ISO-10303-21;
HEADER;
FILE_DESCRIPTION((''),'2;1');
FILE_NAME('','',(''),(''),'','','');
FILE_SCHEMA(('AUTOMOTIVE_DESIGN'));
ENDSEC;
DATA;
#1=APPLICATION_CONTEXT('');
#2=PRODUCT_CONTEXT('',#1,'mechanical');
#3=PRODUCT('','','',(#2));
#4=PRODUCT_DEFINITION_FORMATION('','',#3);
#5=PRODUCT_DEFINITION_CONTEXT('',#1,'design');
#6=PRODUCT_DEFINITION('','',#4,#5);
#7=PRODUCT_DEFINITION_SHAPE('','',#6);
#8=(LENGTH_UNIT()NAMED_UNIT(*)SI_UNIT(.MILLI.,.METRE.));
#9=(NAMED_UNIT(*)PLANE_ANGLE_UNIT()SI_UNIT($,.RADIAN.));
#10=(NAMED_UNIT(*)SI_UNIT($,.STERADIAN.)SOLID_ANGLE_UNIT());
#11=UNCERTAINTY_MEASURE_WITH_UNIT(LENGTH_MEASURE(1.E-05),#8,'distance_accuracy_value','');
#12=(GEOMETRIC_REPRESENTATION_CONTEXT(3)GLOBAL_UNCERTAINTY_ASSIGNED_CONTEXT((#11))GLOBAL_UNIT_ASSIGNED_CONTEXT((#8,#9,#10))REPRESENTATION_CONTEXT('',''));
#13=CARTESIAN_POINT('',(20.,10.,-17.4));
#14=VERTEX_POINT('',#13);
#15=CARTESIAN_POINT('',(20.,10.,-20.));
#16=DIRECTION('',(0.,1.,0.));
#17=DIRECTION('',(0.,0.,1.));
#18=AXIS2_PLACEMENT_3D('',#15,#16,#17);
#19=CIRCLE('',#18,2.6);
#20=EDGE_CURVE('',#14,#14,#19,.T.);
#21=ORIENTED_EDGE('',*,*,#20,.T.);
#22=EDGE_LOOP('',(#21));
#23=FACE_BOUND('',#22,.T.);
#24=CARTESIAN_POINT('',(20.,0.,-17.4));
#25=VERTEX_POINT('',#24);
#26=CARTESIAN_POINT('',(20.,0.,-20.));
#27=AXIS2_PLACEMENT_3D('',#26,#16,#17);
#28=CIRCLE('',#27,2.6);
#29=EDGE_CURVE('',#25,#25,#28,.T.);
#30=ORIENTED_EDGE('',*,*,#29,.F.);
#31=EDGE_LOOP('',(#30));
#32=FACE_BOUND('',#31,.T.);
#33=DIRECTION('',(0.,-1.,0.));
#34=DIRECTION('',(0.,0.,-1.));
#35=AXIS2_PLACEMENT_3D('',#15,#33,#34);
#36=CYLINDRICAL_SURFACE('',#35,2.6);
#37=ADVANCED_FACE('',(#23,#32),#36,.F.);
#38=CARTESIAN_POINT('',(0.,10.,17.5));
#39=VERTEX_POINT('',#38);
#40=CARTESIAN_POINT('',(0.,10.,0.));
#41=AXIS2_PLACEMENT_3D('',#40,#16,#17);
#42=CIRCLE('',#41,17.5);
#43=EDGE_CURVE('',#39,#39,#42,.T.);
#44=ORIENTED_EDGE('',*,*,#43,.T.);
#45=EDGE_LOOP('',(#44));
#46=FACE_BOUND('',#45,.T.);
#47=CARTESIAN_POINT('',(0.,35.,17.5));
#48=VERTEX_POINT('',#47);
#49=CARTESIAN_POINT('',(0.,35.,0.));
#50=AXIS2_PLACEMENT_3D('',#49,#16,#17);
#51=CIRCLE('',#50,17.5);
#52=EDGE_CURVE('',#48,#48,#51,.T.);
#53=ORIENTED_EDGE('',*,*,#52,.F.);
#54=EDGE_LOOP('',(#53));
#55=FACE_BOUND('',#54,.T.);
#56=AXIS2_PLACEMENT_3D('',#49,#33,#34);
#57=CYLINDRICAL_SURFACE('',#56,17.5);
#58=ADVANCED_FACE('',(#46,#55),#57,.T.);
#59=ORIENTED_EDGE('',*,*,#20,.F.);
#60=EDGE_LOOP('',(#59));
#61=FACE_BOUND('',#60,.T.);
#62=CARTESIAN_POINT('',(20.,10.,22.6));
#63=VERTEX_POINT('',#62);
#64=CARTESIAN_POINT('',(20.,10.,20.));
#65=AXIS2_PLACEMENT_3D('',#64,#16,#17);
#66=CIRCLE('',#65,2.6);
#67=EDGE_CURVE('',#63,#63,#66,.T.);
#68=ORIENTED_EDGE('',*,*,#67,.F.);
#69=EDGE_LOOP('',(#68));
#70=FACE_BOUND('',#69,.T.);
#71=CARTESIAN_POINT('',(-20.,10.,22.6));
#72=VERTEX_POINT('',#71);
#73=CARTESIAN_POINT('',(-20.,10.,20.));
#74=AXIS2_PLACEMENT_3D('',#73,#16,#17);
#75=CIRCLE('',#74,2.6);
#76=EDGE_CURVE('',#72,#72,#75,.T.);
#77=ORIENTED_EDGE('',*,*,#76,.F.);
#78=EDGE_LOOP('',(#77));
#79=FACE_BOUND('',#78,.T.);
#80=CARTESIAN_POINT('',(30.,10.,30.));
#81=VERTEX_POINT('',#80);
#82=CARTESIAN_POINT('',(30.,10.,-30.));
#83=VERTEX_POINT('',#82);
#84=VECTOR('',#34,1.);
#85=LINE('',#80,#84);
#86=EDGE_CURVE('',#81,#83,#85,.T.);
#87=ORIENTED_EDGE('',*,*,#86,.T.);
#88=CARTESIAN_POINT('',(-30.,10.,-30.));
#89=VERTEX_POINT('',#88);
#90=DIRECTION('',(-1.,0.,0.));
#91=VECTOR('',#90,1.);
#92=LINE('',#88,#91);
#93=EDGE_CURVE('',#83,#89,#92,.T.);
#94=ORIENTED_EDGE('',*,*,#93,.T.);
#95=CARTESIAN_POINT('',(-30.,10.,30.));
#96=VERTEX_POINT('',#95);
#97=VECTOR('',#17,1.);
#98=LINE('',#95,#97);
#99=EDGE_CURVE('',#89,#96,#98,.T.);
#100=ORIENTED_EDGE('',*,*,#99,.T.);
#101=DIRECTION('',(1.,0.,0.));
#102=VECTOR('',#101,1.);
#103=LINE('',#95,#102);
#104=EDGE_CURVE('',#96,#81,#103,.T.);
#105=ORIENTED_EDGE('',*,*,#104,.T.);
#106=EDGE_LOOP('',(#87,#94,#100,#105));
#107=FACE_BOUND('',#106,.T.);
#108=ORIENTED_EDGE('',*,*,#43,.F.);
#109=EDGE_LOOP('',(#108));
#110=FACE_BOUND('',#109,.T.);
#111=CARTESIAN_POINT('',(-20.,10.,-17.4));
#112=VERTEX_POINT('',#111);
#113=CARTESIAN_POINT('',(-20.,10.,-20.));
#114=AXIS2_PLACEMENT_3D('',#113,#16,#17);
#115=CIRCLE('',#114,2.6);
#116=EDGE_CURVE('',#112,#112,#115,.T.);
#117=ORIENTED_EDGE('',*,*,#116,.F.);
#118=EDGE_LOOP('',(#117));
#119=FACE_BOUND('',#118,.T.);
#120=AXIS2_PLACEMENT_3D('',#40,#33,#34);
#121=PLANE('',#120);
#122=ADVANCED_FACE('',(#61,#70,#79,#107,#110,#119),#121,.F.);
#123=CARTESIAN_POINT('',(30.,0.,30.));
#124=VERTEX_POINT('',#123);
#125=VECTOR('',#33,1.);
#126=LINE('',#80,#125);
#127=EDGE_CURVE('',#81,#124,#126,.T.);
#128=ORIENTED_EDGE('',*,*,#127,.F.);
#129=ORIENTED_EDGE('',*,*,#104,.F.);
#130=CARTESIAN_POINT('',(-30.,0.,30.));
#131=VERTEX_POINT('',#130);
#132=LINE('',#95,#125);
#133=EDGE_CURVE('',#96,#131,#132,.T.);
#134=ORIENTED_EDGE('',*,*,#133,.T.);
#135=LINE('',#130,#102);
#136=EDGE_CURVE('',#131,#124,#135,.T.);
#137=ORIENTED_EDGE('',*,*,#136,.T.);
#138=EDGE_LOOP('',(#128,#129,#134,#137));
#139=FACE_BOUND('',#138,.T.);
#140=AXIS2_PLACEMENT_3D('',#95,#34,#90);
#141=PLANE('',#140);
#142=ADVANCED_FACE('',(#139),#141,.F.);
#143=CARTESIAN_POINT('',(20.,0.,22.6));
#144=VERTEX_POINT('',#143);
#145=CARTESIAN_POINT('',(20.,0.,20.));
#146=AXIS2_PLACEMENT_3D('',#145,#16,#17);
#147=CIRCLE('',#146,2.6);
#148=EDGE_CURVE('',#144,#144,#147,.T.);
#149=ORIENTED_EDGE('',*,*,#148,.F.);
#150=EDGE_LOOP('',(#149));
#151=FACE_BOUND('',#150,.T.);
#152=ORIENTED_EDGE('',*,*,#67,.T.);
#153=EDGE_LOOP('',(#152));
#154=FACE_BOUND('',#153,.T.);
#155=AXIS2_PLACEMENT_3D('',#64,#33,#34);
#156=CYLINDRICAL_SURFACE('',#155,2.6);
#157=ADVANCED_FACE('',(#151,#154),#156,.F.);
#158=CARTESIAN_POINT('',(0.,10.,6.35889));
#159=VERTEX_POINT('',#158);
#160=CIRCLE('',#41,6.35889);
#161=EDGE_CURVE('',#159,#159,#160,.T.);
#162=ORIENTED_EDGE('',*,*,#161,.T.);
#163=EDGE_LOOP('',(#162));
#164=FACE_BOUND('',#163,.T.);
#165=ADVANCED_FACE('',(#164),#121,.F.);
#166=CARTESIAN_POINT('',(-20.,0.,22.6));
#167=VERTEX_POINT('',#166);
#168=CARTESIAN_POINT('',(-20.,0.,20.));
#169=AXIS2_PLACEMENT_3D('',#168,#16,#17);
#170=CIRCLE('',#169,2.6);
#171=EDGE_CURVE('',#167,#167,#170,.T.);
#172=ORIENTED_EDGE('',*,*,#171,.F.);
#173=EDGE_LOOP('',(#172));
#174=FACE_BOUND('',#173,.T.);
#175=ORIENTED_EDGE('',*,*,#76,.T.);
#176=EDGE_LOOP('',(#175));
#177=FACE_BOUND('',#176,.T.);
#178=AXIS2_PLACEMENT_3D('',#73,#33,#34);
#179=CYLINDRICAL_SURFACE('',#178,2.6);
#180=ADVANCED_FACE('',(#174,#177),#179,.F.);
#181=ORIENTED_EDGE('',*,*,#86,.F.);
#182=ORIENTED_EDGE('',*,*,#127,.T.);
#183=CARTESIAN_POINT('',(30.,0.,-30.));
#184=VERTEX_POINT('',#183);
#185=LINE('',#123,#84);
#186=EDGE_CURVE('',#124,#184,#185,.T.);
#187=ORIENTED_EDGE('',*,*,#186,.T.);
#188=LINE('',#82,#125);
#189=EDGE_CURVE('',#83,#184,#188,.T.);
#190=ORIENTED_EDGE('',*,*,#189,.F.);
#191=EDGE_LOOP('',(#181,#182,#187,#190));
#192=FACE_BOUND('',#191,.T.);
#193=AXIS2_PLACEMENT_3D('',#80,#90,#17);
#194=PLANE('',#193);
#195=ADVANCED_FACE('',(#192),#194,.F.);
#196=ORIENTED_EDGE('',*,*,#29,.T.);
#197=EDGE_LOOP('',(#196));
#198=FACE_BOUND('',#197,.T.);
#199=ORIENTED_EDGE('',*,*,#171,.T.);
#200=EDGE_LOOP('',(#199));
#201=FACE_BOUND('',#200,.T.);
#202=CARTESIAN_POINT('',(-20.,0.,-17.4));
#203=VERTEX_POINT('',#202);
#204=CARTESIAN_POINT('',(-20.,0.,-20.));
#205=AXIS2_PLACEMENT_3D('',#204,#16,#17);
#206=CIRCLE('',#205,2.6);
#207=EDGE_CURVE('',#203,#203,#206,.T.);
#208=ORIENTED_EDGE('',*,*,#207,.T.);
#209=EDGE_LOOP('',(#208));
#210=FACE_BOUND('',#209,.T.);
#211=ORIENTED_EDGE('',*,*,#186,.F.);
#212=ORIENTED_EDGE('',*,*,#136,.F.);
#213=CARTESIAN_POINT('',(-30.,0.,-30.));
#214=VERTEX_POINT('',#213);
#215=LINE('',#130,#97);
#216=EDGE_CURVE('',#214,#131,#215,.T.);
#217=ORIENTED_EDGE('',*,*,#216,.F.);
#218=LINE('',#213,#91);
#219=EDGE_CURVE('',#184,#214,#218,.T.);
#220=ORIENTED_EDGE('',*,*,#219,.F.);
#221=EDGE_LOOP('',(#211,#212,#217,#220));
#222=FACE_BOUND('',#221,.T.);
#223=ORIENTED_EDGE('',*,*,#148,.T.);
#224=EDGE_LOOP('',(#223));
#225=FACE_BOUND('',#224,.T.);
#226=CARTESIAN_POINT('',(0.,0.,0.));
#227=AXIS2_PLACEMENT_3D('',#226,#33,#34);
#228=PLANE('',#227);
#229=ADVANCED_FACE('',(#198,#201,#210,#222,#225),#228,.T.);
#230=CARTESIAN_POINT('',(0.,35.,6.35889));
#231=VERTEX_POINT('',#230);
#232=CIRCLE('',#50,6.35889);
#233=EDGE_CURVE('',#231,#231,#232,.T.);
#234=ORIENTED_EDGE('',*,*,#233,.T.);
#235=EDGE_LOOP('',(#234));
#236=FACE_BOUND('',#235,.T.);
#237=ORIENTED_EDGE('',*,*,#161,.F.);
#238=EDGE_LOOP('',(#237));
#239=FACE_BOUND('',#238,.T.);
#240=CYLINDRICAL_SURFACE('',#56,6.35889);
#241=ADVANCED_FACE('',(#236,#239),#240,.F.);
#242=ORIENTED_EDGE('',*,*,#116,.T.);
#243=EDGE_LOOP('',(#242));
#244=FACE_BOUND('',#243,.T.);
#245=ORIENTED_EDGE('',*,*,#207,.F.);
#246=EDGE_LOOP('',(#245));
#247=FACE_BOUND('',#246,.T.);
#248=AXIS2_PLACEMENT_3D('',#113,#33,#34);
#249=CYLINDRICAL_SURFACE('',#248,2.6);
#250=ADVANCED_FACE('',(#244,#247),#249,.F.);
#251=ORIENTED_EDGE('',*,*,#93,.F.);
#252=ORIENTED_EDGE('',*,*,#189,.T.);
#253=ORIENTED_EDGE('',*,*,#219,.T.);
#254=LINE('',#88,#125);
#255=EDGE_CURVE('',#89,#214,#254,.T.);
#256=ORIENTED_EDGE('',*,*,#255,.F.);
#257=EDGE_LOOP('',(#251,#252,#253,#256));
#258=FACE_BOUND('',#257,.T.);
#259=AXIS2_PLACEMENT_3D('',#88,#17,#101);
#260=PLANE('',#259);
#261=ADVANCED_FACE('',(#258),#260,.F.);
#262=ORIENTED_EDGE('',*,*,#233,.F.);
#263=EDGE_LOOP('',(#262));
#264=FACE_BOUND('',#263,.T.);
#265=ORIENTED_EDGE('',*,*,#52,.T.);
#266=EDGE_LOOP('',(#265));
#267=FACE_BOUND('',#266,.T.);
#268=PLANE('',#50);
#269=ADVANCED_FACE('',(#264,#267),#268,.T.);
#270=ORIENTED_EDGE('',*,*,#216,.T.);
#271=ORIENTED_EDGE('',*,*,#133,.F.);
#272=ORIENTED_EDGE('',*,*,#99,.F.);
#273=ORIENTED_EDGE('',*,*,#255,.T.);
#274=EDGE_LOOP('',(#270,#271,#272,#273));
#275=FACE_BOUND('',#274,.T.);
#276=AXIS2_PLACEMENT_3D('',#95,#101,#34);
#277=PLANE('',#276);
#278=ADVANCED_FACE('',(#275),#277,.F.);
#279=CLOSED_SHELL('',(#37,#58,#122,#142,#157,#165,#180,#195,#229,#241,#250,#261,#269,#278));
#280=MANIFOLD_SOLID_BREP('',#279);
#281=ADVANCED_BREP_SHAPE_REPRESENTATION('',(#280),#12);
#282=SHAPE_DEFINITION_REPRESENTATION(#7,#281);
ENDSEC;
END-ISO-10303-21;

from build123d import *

# Parameters (mm, degrees)
SKETCH1_W           = 60
SKETCH1_H           = 60
SKETCH1_R           = 2.6
BOSS_EXTRUDE1_DEPTH = 10
SKETCH2_R           = 17.5
SKETCH2_R_2         = 6.35889
BOSS_EXTRUDE2_DEPTH = 25


with BuildPart() as part:
    # Sketch1 → Boss-Extrude1 (new body)
    with BuildSketch(Plane(origin=(0, 0, 0), x_dir=(1, 0, 0), z_dir=(0, 1, 0))):
        Rectangle(SKETCH1_W, SKETCH1_H)
        with Locations(Location((-20, 20, 0), (0, 0, 270))):
            Circle(SKETCH1_R, mode=Mode.SUBTRACT)
        with Locations(Location((20, 20, 0), (0, 0, 270))):
            Circle(SKETCH1_R, mode=Mode.SUBTRACT)
        with Locations(Location((-20, -20, 0), (0, 0, 270))):
            Circle(SKETCH1_R, mode=Mode.SUBTRACT)
        with Locations(Location((20, -20, 0), (0, 0, 270))):
            Circle(SKETCH1_R, mode=Mode.SUBTRACT)
    extrude(amount=BOSS_EXTRUDE1_DEPTH)

    # Sketch2 → Boss-Extrude2 (add)
    with BuildSketch(Plane(origin=(0, 10, 0), x_dir=(1, 0, 0), z_dir=(0, 1, 0))):
        with Locations(Location((0, 0, 0), (0, 0, 270))):
            Circle(SKETCH2_R)
        with Locations(Location((0, 0, 0), (0, 0, 270))):
            Circle(SKETCH2_R_2, mode=Mode.SUBTRACT)
    extrude(amount=BOSS_EXTRUDE2_DEPTH)


solid = part.part
